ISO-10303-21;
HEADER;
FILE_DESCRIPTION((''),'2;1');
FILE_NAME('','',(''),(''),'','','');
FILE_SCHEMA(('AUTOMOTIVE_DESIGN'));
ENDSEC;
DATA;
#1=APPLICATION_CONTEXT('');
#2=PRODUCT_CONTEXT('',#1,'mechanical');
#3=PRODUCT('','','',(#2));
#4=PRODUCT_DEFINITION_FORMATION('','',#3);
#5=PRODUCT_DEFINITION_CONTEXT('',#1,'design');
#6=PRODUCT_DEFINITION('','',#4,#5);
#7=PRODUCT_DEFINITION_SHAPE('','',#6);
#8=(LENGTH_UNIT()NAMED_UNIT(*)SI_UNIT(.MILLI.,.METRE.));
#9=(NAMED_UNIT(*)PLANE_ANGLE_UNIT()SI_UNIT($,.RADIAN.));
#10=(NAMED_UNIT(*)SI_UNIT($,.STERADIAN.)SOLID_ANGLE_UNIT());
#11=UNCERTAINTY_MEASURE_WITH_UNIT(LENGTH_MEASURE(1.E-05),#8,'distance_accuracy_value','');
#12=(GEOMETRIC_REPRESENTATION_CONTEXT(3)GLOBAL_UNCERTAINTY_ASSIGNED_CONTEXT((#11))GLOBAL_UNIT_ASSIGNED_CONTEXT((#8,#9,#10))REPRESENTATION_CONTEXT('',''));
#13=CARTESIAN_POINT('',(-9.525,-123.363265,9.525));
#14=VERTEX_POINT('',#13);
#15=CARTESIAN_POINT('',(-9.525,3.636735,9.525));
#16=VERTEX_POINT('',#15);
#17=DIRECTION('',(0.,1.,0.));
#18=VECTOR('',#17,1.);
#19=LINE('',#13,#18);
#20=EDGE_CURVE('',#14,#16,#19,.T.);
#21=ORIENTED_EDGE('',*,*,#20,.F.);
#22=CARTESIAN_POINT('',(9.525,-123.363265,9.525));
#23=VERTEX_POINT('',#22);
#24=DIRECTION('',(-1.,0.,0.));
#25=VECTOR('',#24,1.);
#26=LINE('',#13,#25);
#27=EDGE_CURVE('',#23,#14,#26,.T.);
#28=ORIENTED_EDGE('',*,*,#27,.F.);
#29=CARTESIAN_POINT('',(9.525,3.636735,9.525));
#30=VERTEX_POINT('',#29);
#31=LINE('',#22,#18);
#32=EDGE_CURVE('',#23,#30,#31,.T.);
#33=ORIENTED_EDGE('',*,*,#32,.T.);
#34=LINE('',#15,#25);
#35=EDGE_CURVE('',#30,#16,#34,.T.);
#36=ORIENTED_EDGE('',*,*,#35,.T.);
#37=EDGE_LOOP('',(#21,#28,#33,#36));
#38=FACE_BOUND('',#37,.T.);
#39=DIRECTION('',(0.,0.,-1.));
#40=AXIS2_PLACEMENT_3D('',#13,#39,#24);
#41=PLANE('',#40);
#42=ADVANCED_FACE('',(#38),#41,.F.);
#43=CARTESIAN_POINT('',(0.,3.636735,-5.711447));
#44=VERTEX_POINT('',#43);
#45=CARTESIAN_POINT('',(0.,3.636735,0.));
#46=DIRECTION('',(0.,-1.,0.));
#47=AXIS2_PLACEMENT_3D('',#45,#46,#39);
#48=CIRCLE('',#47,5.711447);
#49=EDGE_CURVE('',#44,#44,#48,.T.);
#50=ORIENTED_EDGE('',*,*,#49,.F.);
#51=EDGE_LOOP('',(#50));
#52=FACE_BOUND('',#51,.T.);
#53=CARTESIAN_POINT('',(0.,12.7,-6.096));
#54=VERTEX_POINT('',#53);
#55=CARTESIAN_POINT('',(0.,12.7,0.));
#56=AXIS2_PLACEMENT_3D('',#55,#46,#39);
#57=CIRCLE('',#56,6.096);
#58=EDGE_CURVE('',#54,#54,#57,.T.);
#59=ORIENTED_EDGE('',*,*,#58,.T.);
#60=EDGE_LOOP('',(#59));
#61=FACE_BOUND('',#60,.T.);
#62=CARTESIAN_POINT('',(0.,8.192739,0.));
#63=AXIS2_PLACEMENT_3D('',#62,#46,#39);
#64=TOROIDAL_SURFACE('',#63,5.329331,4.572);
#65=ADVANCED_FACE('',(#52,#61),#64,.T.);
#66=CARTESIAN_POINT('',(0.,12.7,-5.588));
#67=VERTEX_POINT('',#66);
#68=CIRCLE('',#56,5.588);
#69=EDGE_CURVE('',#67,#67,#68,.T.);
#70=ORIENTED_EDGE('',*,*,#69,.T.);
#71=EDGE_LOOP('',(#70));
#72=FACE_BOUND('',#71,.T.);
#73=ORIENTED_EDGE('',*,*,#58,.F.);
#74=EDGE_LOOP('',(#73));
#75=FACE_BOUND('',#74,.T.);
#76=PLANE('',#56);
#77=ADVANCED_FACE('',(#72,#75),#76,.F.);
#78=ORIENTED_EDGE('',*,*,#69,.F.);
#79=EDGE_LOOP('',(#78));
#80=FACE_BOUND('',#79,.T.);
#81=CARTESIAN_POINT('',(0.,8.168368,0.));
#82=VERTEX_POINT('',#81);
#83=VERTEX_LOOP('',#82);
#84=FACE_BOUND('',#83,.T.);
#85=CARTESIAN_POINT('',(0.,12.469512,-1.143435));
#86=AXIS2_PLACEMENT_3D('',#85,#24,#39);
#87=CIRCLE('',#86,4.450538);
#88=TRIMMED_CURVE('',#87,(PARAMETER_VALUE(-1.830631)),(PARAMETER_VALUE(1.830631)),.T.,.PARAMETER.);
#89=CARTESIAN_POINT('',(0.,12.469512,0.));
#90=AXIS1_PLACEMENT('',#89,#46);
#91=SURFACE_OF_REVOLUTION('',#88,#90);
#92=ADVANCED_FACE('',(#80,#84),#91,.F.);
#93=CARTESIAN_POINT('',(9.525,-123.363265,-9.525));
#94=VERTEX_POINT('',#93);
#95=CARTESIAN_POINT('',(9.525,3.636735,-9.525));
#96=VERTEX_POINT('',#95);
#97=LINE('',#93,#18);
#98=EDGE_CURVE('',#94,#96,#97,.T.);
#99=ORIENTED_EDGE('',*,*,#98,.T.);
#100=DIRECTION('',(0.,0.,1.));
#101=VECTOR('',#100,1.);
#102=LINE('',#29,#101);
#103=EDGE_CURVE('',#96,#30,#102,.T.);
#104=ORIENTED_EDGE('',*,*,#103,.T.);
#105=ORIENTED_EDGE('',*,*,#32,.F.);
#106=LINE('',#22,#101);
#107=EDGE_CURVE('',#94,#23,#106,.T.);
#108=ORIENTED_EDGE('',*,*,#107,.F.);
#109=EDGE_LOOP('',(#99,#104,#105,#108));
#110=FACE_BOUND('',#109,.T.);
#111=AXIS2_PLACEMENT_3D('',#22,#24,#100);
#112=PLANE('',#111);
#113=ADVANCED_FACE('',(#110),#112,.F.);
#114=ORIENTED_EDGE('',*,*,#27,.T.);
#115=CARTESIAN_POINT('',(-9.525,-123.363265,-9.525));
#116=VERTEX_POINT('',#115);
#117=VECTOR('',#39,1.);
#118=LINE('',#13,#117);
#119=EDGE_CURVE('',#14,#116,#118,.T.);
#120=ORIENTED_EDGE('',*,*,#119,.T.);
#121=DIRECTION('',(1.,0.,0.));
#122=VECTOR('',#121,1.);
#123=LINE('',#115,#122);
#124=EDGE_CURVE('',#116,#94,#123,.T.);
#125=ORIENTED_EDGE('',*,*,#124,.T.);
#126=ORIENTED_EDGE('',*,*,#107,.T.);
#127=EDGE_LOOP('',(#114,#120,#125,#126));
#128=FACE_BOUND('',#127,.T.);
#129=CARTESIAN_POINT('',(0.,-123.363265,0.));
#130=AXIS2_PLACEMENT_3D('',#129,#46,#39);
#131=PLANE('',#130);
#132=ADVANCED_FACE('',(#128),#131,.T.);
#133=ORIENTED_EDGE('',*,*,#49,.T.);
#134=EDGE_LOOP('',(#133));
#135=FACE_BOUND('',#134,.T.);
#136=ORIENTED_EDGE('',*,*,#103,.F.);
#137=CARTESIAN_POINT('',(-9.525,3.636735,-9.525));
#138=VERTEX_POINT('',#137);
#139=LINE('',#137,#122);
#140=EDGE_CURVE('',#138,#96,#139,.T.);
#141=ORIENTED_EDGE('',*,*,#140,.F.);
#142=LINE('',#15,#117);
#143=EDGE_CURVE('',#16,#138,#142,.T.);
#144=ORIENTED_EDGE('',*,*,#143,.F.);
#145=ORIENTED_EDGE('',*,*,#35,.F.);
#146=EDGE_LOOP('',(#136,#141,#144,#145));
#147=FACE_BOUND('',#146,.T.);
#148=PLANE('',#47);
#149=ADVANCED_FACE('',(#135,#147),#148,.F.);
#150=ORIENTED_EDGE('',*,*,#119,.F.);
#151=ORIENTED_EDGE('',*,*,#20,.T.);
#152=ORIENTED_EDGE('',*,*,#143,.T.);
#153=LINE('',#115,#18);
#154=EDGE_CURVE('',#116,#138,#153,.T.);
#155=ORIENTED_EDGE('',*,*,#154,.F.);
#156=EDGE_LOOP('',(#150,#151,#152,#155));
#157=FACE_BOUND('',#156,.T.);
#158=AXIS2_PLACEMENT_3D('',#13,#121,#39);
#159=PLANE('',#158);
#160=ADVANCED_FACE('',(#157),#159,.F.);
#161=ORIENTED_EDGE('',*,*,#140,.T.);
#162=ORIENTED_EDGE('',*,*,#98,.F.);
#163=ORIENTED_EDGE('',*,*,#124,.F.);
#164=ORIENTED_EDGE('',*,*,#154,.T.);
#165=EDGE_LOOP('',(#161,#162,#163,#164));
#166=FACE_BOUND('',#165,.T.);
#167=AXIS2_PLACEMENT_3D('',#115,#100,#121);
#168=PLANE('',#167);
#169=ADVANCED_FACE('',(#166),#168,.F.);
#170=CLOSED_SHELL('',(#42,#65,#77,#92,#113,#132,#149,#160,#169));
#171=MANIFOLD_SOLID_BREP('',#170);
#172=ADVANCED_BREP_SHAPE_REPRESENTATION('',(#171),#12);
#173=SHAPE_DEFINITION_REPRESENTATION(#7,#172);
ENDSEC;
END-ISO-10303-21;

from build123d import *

# Parameters (mm, degrees)
SKETCH4_W           = 19.05
SKETCH4_H           = 19.05
BOSS_EXTRUDE1_DEPTH = 127


with BuildPart() as part:
    # Sketch2 → Revolve2 (revolve)
    with BuildSketch(Plane.XY, mode=Mode.PRIVATE) as revolve2_sk:
        with BuildLine():
            Line((0, 8.168367528), (0, 3.636735056))
            Line((0, 3.636735056), (4.947214611, 3.636735056))
            ThreePointArc((4.947214611, 3.636735056), (9.865040683, 7.617829413), (6.096, 12.7))
            Line((6.096, 12.7), (5.588, 12.7))
            ThreePointArc((5.588, 12.7), (3.946698626, 9.012779896), (0, 8.168367528))
        make_face()
    revolve(revolve2_sk.sketch.rotate(Axis((0, 3.636735056, 0), (0, 1, 0)), 90), axis=Axis((0, 3.636735056, 0), (0, 1, 0)))

    # Sketch4 → Boss-Extrude1 (add)
    with BuildSketch(Plane.XZ.offset(-3.636735056)):
        Rectangle(SKETCH4_W, SKETCH4_H)
    extrude(amount=BOSS_EXTRUDE1_DEPTH)


solid = part.part
